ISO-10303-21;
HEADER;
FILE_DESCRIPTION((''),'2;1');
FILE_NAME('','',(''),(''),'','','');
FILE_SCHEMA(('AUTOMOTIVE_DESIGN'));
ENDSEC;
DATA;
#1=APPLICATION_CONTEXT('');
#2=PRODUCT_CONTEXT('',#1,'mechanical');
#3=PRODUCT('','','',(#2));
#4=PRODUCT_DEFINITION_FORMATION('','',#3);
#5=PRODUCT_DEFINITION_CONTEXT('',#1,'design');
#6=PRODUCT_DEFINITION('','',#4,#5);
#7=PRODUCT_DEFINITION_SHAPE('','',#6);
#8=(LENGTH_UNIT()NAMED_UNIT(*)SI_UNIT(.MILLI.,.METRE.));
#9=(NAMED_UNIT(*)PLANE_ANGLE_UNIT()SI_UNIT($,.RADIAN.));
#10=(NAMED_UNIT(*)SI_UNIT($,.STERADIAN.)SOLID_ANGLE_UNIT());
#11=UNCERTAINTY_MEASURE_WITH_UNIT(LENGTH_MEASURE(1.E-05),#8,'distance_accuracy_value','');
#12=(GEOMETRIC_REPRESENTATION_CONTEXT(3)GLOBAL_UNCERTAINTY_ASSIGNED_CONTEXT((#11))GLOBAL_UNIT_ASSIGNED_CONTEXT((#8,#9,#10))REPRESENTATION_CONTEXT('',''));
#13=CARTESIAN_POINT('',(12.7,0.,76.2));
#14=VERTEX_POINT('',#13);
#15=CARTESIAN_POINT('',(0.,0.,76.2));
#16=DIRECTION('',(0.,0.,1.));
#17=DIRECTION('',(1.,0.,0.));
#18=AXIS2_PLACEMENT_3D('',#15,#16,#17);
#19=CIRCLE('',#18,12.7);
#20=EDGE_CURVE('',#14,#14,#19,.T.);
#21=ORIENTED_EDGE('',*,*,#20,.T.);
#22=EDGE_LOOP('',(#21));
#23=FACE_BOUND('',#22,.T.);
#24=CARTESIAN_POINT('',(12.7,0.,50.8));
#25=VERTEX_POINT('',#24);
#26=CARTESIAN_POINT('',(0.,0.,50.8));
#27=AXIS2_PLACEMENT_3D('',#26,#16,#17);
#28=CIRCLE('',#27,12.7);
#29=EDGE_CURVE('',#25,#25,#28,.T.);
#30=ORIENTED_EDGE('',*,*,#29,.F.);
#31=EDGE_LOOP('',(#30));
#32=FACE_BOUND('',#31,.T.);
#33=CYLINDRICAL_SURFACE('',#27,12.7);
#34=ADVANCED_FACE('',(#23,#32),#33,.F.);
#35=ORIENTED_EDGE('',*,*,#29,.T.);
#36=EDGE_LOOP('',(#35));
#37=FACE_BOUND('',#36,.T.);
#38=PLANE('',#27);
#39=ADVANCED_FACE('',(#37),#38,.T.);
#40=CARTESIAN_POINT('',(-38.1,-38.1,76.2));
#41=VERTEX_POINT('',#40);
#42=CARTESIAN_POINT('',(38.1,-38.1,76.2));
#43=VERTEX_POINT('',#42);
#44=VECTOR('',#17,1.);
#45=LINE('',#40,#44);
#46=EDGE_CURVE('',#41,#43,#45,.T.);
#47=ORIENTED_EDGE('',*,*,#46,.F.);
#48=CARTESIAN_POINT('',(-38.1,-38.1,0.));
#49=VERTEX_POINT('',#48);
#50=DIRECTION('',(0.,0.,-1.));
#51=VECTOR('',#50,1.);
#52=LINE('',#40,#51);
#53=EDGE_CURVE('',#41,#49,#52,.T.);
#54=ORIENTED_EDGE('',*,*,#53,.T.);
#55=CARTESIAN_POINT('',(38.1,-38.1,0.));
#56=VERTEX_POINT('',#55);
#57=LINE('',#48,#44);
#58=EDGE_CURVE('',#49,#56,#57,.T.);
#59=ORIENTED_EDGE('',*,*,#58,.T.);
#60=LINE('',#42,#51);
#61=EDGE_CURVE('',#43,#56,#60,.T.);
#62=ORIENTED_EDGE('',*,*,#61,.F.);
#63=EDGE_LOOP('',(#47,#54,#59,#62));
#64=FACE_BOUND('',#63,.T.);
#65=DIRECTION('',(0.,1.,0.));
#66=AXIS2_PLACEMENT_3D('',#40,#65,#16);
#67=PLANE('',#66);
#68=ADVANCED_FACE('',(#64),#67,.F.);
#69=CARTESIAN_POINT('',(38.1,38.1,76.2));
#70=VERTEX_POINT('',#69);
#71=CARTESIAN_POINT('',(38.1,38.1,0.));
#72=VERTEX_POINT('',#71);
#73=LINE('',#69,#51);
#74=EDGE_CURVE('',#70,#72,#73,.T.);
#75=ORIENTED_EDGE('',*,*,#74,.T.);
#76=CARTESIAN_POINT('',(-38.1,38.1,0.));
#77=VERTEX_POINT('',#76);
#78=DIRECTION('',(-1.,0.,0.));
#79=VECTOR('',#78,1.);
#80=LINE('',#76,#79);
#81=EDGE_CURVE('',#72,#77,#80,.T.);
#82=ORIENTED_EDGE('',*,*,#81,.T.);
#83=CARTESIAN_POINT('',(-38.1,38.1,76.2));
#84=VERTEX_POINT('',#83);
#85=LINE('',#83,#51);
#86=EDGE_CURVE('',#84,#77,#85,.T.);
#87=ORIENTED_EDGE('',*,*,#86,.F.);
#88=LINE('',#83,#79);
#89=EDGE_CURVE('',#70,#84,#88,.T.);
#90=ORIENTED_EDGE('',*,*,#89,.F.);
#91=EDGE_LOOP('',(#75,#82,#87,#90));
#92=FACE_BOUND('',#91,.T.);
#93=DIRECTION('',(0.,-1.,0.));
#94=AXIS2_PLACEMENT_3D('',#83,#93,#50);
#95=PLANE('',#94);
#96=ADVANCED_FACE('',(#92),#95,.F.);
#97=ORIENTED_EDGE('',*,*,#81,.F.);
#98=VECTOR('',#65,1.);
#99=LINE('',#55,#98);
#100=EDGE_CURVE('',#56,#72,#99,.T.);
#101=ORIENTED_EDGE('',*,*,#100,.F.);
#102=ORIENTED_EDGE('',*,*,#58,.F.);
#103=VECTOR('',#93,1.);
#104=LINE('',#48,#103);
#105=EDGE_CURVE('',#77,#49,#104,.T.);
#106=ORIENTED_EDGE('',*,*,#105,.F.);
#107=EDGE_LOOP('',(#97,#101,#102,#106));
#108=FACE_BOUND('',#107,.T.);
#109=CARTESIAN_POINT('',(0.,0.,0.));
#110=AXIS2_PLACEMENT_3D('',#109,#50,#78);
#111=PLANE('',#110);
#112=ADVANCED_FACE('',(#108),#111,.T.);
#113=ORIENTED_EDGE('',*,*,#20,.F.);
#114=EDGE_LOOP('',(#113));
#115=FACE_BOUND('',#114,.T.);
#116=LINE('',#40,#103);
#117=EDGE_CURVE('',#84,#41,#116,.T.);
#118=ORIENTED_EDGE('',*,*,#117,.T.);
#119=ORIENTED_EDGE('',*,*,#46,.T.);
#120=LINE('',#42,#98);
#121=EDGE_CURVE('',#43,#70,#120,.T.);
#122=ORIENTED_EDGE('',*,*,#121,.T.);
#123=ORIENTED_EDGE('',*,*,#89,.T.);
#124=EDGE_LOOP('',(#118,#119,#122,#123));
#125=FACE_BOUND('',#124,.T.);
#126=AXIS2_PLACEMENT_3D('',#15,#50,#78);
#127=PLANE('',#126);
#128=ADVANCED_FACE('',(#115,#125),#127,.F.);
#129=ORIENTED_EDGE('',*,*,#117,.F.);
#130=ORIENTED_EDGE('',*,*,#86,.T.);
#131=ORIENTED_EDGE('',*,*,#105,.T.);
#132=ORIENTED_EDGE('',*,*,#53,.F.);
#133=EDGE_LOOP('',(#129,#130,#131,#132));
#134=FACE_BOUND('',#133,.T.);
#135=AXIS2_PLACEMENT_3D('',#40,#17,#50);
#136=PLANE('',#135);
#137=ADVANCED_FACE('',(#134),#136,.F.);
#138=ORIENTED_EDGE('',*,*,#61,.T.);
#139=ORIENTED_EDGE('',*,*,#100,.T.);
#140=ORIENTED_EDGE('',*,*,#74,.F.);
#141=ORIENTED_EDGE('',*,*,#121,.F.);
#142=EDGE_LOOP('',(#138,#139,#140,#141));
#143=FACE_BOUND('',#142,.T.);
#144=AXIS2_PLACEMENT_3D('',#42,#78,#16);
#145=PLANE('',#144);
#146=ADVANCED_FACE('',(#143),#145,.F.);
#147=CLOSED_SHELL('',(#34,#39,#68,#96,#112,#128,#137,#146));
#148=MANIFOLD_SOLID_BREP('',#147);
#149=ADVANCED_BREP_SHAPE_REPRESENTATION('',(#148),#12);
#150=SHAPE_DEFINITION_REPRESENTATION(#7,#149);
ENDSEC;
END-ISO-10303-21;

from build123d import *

# Parameters (mm, degrees)
SKETCH1_W           = 76.2
SKETCH1_H           = 76.2
BOSS_EXTRUDE1_DEPTH = 76.2
SKETCH2_R           = 12.7
CUT_EXTRUDE1_DEPTH  = 25.4


with BuildPart() as part:
    # Sketch1 → Boss-Extrude1 (new body)
    with BuildSketch(Plane.XY):
        Rectangle(SKETCH1_W, SKETCH1_H)
    extrude(amount=BOSS_EXTRUDE1_DEPTH)

    # Sketch2 → Cut-Extrude1 (cut)
    with BuildSketch(Plane.XY.offset(76.2)):
        Circle(SKETCH2_R)
    extrude(amount=-CUT_EXTRUDE1_DEPTH, mode=Mode.SUBTRACT)


solid = part.part
